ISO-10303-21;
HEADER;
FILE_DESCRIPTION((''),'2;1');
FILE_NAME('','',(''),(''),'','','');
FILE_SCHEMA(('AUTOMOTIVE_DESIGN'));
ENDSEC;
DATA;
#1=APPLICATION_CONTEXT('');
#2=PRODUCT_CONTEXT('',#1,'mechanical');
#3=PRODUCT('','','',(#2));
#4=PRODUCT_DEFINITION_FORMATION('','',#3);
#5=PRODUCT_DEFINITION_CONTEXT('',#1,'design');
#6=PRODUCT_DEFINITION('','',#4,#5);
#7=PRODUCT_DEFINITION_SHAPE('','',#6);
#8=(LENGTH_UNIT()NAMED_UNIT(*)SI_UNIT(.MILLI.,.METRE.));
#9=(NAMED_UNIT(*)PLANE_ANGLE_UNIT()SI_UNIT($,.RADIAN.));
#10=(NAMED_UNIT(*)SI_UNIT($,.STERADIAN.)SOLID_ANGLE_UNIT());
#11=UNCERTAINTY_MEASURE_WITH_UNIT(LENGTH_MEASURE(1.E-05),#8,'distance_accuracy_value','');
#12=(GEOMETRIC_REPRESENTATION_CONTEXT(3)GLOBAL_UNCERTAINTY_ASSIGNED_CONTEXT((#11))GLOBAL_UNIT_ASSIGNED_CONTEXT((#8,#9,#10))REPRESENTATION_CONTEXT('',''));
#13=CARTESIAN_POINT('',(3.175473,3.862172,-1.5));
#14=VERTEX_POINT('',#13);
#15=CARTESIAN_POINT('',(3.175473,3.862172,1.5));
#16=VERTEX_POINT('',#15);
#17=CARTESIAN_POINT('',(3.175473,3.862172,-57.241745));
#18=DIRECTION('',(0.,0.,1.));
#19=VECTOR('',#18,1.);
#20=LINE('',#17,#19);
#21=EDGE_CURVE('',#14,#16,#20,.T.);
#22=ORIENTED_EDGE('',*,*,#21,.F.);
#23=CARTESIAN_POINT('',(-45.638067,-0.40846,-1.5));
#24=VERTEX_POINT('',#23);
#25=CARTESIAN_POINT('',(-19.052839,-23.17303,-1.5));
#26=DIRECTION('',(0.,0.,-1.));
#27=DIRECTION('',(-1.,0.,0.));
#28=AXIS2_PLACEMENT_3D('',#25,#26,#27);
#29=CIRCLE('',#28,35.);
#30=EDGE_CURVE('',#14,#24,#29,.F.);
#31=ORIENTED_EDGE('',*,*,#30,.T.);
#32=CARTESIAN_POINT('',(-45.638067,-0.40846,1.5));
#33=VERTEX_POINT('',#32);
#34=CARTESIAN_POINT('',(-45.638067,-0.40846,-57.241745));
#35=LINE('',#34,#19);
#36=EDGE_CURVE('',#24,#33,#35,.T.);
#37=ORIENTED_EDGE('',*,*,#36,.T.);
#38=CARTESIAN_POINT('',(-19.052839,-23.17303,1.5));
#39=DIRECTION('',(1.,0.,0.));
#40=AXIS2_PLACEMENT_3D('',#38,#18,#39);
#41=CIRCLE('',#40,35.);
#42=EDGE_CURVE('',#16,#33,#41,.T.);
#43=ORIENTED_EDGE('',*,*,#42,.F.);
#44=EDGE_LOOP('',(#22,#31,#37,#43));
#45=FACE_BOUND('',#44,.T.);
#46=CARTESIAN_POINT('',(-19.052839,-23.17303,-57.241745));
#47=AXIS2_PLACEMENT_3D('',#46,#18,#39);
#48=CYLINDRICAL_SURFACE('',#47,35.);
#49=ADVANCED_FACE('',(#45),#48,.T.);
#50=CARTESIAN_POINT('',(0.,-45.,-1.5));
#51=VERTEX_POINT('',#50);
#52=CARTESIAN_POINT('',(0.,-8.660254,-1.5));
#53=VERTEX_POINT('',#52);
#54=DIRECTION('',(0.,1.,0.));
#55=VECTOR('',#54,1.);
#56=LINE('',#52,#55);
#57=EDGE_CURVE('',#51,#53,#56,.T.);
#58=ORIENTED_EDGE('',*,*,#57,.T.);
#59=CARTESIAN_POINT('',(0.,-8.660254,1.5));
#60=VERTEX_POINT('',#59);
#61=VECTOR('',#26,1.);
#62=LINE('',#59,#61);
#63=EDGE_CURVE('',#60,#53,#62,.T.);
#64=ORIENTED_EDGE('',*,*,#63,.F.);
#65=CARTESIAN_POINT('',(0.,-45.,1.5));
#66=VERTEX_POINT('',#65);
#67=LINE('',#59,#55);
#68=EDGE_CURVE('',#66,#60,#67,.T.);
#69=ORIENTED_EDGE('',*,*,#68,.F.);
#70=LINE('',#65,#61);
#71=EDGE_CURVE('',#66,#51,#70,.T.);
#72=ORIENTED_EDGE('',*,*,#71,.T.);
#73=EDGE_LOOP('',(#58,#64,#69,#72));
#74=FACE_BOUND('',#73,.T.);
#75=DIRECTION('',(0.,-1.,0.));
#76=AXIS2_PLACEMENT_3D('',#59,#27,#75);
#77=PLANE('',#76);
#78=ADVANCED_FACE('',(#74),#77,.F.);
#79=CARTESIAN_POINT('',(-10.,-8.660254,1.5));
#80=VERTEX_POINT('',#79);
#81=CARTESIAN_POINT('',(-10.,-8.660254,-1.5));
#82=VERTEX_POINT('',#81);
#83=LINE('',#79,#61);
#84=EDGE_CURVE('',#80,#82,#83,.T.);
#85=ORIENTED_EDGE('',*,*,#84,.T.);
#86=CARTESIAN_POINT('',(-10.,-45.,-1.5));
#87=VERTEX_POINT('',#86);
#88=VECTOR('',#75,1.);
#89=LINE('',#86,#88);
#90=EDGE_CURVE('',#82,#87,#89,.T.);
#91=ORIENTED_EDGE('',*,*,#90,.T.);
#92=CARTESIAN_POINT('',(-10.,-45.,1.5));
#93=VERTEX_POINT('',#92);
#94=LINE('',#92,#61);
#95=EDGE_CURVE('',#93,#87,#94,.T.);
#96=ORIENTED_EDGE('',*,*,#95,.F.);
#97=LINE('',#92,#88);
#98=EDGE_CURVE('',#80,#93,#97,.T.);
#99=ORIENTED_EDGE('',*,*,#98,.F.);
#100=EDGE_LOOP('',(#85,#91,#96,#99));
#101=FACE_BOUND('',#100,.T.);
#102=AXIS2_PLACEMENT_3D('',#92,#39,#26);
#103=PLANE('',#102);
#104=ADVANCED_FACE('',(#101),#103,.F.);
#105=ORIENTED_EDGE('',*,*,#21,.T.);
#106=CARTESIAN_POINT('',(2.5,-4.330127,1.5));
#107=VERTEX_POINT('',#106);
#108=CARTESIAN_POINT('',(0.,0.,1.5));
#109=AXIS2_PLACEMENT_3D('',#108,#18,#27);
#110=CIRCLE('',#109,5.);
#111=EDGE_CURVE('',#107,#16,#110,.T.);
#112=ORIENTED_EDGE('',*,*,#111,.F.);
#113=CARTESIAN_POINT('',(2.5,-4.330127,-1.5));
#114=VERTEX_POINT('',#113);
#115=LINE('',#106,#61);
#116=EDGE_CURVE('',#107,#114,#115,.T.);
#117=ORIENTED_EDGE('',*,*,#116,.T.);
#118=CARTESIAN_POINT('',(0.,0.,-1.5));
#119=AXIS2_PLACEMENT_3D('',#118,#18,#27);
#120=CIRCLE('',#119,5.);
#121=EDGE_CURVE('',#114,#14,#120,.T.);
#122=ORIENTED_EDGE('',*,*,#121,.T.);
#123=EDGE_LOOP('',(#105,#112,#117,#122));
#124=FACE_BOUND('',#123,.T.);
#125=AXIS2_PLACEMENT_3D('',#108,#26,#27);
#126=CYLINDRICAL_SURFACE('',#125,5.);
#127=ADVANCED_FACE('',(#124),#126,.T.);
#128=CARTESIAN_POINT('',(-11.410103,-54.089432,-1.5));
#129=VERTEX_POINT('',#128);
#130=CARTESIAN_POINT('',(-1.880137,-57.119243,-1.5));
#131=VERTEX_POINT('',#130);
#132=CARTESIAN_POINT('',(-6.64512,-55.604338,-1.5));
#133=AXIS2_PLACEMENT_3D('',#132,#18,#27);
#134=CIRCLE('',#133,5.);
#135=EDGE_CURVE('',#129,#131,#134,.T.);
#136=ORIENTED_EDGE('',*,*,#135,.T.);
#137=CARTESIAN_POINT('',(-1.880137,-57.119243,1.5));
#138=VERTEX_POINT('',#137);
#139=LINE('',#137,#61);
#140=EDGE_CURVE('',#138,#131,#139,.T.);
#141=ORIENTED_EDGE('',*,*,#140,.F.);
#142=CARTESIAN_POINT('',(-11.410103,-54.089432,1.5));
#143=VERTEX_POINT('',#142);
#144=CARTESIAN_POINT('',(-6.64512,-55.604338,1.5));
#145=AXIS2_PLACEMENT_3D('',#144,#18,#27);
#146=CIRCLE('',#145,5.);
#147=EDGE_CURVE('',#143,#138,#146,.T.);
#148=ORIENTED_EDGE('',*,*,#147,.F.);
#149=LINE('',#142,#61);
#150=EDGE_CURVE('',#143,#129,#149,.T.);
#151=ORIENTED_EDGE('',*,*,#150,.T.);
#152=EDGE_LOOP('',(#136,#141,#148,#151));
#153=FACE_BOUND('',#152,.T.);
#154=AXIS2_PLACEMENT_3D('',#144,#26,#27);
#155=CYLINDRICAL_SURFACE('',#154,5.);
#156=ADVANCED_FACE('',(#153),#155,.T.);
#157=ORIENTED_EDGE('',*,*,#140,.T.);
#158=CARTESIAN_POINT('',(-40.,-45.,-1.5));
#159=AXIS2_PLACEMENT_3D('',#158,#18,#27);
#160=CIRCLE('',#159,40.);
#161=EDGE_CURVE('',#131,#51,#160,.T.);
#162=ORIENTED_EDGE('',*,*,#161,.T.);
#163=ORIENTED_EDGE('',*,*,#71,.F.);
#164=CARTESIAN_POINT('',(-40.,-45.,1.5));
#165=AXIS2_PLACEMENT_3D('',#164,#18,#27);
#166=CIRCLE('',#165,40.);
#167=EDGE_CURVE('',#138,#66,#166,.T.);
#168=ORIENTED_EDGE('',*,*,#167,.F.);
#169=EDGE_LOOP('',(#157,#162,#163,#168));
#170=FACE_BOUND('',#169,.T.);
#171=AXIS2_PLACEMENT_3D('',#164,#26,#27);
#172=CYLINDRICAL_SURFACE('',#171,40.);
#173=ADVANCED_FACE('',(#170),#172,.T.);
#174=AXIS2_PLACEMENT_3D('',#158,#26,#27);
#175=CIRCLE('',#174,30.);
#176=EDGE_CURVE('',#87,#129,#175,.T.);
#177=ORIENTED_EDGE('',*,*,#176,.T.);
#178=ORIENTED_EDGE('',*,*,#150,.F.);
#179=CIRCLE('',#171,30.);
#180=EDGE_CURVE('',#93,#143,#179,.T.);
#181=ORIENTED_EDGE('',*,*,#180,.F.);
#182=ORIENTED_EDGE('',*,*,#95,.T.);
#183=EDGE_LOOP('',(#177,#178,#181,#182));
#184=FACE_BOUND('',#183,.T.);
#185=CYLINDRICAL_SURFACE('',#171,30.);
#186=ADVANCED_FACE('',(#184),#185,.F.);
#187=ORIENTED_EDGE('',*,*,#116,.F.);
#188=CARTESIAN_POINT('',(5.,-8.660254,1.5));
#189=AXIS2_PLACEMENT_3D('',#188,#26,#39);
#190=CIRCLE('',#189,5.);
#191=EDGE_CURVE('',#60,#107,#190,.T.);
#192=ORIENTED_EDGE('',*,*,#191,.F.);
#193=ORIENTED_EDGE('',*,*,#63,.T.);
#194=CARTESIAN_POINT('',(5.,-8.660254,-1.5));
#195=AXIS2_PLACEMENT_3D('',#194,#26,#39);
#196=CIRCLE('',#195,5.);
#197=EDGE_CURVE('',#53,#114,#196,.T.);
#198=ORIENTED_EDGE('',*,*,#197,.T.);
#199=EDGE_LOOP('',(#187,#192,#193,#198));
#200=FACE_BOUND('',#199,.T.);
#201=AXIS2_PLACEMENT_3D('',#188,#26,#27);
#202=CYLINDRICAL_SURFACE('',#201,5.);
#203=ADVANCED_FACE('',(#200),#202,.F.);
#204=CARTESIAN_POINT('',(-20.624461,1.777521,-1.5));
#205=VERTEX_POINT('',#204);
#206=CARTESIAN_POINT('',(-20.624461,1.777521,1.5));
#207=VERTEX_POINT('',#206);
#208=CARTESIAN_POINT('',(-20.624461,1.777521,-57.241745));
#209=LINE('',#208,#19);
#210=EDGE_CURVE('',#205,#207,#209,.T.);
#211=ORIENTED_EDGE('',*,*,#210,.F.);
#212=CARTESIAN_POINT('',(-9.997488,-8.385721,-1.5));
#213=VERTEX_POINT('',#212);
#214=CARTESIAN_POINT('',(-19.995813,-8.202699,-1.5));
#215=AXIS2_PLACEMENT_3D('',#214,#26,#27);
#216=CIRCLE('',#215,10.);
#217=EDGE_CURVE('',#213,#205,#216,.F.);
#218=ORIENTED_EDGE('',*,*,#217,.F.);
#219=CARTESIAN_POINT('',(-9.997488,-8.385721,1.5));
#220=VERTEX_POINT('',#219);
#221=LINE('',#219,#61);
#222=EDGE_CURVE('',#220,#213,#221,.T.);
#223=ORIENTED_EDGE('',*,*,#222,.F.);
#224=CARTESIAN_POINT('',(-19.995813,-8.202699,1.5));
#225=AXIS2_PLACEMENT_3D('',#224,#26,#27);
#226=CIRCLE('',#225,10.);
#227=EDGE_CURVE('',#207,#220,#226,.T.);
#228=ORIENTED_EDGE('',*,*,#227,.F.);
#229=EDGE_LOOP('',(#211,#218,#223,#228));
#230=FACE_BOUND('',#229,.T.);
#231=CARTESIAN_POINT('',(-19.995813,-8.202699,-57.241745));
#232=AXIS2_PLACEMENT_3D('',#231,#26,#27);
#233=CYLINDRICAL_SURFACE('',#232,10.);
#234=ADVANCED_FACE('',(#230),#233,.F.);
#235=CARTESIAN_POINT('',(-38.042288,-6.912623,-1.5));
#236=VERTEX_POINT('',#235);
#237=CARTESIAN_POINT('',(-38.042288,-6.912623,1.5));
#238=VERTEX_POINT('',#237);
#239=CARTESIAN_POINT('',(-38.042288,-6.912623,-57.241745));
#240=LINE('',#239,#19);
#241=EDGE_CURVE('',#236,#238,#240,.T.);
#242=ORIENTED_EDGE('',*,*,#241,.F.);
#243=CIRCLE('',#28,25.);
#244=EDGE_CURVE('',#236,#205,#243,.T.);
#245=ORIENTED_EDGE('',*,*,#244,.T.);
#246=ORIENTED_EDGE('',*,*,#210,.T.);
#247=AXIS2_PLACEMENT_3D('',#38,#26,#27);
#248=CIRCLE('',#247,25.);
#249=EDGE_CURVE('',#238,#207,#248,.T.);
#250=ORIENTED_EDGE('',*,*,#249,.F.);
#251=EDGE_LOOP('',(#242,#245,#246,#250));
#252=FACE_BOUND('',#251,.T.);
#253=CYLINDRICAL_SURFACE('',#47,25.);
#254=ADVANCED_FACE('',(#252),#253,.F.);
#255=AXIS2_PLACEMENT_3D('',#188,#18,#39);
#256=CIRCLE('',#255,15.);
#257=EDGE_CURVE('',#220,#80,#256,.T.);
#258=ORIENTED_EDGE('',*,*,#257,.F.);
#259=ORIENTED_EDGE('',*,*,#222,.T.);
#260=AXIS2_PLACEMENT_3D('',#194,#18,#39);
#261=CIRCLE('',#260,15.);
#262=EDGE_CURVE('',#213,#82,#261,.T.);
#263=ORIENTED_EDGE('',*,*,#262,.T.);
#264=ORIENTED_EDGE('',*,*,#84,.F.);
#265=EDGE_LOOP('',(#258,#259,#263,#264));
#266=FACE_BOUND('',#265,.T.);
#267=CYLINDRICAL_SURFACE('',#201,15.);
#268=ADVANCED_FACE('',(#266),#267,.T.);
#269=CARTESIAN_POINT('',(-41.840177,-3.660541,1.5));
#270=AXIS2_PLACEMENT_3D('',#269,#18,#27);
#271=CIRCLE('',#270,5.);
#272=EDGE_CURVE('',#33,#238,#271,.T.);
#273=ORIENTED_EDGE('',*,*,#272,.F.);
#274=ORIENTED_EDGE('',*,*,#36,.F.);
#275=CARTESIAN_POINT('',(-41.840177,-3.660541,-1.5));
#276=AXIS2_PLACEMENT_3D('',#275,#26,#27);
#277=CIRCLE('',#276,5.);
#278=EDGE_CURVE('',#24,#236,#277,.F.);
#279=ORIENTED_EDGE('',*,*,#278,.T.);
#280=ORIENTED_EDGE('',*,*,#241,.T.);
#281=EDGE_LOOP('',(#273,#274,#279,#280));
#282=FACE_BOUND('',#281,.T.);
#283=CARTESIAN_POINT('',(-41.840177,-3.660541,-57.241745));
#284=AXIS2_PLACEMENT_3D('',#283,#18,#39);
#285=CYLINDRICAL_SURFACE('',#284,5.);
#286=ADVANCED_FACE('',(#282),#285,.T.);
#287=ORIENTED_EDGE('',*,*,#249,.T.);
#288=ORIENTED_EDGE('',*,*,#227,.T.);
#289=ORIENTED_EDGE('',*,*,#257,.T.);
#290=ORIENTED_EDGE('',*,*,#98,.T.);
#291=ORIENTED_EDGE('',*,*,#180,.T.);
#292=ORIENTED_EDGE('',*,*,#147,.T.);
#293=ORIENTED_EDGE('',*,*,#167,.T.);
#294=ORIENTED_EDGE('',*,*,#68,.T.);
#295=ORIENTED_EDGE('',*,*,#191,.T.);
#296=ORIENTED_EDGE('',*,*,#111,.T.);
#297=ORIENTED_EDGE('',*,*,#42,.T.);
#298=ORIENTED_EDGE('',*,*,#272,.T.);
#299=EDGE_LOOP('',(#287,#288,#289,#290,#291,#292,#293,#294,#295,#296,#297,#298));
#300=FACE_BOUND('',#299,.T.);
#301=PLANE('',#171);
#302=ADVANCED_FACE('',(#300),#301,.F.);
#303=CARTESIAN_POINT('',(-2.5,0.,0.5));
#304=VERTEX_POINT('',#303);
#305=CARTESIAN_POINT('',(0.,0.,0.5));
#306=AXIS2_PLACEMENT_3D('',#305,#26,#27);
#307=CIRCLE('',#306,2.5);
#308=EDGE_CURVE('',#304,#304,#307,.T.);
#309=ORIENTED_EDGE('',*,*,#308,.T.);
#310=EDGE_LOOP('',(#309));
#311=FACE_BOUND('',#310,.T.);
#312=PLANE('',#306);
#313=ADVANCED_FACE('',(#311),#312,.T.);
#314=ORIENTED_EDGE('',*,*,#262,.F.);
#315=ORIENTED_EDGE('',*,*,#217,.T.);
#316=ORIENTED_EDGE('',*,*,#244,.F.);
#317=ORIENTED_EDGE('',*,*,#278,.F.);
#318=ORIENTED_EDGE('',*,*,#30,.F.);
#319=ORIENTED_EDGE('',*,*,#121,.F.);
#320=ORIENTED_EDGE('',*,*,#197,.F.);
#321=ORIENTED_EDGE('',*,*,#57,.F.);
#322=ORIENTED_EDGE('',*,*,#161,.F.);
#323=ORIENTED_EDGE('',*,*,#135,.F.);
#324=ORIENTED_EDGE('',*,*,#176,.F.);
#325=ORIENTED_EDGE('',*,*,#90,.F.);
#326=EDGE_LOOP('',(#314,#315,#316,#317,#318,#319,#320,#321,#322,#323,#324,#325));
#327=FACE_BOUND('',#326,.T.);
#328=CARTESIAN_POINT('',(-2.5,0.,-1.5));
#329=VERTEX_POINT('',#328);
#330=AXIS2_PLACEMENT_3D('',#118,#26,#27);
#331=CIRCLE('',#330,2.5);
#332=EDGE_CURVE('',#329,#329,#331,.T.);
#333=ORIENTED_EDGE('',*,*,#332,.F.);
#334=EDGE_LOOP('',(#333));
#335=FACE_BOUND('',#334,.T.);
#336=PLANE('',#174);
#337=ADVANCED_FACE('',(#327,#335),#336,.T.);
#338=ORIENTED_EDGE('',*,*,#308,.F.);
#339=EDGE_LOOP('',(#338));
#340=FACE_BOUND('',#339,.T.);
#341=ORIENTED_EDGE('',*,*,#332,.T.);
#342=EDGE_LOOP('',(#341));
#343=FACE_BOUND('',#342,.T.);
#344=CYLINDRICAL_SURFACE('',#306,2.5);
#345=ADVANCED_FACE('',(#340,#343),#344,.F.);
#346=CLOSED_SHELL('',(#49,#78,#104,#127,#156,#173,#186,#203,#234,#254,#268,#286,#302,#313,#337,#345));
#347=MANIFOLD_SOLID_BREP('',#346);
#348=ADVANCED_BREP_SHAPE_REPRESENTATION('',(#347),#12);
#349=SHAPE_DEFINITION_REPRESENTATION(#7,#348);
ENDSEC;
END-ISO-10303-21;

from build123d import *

# Parameters (mm, degrees)
BOSS_EXTRU_1_DEPTH      = 1.5
BOSS_EXTRU_2_DEPTH      = 3
ESQUISSE2_R             = 2.5
ENL_V_MAT_EXTRU_3_DEPTH = 2
CONG_1_R                = 10


with BuildPart() as part:
    # Esquisse1 → Boss.-Extru.1 (new body, symmetric)
    with BuildSketch(Plane.XY):
        with BuildLine():
            Line((-10, -45), (-10, -8.660254038))
            ThreePointArc((-10, -8.660254038), (-7.990381057, -1.160254038), (-2.5, 4.330127019))
            ThreePointArc((-2.5, 4.330127019), (4.330127019, 2.5), (2.5, -4.330127019))
            ThreePointArc((2.5, -4.330127019), (0.669872981, -6.160254038), (0, -8.660254038))
            Line((0, -8.660254038), (0, -45))
            ThreePointArc((0, -45), (-0.472828873, -51.132107527), (-1.880137136, -57.11924318))
            ThreePointArc((-1.880137136, -57.11924318), (-8.160025392, -60.369320641), (-11.410102852, -54.089432385))
            ThreePointArc((-11.410102852, -54.089432385), (-10.354621655, -49.599080646), (-10, -45))
        make_face()
    extrude(amount=BOSS_EXTRU_1_DEPTH, both=True)

    # Esquisse4 → Boss.-Extru.2 (add)
    with BuildSketch(Plane.XY.offset(1.5)):
        with BuildLine():
            ThreePointArc((-38.042287627, -6.912622664), (-45.092258789, -7.458430888), (-45.638067013, -0.408459726))
            ThreePointArc((-45.638067013, -0.408459726), (-22.103290159, 11.693784424), (3.175473194, 3.862171668))
            ThreePointArc((3.175473194, 3.862171668), (3.862171668, -3.175473194), (-3.175473194, -3.862171668))
            ThreePointArc((-3.175473194, -3.862171668), (-21.231732732, 1.731837443), (-38.042287627, -6.912622664))
        make_face()
    extrude(amount=-BOSS_EXTRU_2_DEPTH)

    # Esquisse2 → Enlèv. mat.-Extru.3 (cut)
    with BuildSketch(Plane(origin=(0, 0, -1.5), x_dir=(-1, 0, 0), z_dir=(0, 0, -1))):
        Circle(ESQUISSE2_R)
    extrude(amount=-ENL_V_MAT_EXTRU_3_DEPTH, mode=Mode.SUBTRACT)

    # Congé1
    cong_1_edges = [part.edges().sort_by_distance(p)[0] for p in [
        (-7.8041925, -0.846634236, 0),
    ]]
    fillet(cong_1_edges, radius=CONG_1_R)


solid = part.part
